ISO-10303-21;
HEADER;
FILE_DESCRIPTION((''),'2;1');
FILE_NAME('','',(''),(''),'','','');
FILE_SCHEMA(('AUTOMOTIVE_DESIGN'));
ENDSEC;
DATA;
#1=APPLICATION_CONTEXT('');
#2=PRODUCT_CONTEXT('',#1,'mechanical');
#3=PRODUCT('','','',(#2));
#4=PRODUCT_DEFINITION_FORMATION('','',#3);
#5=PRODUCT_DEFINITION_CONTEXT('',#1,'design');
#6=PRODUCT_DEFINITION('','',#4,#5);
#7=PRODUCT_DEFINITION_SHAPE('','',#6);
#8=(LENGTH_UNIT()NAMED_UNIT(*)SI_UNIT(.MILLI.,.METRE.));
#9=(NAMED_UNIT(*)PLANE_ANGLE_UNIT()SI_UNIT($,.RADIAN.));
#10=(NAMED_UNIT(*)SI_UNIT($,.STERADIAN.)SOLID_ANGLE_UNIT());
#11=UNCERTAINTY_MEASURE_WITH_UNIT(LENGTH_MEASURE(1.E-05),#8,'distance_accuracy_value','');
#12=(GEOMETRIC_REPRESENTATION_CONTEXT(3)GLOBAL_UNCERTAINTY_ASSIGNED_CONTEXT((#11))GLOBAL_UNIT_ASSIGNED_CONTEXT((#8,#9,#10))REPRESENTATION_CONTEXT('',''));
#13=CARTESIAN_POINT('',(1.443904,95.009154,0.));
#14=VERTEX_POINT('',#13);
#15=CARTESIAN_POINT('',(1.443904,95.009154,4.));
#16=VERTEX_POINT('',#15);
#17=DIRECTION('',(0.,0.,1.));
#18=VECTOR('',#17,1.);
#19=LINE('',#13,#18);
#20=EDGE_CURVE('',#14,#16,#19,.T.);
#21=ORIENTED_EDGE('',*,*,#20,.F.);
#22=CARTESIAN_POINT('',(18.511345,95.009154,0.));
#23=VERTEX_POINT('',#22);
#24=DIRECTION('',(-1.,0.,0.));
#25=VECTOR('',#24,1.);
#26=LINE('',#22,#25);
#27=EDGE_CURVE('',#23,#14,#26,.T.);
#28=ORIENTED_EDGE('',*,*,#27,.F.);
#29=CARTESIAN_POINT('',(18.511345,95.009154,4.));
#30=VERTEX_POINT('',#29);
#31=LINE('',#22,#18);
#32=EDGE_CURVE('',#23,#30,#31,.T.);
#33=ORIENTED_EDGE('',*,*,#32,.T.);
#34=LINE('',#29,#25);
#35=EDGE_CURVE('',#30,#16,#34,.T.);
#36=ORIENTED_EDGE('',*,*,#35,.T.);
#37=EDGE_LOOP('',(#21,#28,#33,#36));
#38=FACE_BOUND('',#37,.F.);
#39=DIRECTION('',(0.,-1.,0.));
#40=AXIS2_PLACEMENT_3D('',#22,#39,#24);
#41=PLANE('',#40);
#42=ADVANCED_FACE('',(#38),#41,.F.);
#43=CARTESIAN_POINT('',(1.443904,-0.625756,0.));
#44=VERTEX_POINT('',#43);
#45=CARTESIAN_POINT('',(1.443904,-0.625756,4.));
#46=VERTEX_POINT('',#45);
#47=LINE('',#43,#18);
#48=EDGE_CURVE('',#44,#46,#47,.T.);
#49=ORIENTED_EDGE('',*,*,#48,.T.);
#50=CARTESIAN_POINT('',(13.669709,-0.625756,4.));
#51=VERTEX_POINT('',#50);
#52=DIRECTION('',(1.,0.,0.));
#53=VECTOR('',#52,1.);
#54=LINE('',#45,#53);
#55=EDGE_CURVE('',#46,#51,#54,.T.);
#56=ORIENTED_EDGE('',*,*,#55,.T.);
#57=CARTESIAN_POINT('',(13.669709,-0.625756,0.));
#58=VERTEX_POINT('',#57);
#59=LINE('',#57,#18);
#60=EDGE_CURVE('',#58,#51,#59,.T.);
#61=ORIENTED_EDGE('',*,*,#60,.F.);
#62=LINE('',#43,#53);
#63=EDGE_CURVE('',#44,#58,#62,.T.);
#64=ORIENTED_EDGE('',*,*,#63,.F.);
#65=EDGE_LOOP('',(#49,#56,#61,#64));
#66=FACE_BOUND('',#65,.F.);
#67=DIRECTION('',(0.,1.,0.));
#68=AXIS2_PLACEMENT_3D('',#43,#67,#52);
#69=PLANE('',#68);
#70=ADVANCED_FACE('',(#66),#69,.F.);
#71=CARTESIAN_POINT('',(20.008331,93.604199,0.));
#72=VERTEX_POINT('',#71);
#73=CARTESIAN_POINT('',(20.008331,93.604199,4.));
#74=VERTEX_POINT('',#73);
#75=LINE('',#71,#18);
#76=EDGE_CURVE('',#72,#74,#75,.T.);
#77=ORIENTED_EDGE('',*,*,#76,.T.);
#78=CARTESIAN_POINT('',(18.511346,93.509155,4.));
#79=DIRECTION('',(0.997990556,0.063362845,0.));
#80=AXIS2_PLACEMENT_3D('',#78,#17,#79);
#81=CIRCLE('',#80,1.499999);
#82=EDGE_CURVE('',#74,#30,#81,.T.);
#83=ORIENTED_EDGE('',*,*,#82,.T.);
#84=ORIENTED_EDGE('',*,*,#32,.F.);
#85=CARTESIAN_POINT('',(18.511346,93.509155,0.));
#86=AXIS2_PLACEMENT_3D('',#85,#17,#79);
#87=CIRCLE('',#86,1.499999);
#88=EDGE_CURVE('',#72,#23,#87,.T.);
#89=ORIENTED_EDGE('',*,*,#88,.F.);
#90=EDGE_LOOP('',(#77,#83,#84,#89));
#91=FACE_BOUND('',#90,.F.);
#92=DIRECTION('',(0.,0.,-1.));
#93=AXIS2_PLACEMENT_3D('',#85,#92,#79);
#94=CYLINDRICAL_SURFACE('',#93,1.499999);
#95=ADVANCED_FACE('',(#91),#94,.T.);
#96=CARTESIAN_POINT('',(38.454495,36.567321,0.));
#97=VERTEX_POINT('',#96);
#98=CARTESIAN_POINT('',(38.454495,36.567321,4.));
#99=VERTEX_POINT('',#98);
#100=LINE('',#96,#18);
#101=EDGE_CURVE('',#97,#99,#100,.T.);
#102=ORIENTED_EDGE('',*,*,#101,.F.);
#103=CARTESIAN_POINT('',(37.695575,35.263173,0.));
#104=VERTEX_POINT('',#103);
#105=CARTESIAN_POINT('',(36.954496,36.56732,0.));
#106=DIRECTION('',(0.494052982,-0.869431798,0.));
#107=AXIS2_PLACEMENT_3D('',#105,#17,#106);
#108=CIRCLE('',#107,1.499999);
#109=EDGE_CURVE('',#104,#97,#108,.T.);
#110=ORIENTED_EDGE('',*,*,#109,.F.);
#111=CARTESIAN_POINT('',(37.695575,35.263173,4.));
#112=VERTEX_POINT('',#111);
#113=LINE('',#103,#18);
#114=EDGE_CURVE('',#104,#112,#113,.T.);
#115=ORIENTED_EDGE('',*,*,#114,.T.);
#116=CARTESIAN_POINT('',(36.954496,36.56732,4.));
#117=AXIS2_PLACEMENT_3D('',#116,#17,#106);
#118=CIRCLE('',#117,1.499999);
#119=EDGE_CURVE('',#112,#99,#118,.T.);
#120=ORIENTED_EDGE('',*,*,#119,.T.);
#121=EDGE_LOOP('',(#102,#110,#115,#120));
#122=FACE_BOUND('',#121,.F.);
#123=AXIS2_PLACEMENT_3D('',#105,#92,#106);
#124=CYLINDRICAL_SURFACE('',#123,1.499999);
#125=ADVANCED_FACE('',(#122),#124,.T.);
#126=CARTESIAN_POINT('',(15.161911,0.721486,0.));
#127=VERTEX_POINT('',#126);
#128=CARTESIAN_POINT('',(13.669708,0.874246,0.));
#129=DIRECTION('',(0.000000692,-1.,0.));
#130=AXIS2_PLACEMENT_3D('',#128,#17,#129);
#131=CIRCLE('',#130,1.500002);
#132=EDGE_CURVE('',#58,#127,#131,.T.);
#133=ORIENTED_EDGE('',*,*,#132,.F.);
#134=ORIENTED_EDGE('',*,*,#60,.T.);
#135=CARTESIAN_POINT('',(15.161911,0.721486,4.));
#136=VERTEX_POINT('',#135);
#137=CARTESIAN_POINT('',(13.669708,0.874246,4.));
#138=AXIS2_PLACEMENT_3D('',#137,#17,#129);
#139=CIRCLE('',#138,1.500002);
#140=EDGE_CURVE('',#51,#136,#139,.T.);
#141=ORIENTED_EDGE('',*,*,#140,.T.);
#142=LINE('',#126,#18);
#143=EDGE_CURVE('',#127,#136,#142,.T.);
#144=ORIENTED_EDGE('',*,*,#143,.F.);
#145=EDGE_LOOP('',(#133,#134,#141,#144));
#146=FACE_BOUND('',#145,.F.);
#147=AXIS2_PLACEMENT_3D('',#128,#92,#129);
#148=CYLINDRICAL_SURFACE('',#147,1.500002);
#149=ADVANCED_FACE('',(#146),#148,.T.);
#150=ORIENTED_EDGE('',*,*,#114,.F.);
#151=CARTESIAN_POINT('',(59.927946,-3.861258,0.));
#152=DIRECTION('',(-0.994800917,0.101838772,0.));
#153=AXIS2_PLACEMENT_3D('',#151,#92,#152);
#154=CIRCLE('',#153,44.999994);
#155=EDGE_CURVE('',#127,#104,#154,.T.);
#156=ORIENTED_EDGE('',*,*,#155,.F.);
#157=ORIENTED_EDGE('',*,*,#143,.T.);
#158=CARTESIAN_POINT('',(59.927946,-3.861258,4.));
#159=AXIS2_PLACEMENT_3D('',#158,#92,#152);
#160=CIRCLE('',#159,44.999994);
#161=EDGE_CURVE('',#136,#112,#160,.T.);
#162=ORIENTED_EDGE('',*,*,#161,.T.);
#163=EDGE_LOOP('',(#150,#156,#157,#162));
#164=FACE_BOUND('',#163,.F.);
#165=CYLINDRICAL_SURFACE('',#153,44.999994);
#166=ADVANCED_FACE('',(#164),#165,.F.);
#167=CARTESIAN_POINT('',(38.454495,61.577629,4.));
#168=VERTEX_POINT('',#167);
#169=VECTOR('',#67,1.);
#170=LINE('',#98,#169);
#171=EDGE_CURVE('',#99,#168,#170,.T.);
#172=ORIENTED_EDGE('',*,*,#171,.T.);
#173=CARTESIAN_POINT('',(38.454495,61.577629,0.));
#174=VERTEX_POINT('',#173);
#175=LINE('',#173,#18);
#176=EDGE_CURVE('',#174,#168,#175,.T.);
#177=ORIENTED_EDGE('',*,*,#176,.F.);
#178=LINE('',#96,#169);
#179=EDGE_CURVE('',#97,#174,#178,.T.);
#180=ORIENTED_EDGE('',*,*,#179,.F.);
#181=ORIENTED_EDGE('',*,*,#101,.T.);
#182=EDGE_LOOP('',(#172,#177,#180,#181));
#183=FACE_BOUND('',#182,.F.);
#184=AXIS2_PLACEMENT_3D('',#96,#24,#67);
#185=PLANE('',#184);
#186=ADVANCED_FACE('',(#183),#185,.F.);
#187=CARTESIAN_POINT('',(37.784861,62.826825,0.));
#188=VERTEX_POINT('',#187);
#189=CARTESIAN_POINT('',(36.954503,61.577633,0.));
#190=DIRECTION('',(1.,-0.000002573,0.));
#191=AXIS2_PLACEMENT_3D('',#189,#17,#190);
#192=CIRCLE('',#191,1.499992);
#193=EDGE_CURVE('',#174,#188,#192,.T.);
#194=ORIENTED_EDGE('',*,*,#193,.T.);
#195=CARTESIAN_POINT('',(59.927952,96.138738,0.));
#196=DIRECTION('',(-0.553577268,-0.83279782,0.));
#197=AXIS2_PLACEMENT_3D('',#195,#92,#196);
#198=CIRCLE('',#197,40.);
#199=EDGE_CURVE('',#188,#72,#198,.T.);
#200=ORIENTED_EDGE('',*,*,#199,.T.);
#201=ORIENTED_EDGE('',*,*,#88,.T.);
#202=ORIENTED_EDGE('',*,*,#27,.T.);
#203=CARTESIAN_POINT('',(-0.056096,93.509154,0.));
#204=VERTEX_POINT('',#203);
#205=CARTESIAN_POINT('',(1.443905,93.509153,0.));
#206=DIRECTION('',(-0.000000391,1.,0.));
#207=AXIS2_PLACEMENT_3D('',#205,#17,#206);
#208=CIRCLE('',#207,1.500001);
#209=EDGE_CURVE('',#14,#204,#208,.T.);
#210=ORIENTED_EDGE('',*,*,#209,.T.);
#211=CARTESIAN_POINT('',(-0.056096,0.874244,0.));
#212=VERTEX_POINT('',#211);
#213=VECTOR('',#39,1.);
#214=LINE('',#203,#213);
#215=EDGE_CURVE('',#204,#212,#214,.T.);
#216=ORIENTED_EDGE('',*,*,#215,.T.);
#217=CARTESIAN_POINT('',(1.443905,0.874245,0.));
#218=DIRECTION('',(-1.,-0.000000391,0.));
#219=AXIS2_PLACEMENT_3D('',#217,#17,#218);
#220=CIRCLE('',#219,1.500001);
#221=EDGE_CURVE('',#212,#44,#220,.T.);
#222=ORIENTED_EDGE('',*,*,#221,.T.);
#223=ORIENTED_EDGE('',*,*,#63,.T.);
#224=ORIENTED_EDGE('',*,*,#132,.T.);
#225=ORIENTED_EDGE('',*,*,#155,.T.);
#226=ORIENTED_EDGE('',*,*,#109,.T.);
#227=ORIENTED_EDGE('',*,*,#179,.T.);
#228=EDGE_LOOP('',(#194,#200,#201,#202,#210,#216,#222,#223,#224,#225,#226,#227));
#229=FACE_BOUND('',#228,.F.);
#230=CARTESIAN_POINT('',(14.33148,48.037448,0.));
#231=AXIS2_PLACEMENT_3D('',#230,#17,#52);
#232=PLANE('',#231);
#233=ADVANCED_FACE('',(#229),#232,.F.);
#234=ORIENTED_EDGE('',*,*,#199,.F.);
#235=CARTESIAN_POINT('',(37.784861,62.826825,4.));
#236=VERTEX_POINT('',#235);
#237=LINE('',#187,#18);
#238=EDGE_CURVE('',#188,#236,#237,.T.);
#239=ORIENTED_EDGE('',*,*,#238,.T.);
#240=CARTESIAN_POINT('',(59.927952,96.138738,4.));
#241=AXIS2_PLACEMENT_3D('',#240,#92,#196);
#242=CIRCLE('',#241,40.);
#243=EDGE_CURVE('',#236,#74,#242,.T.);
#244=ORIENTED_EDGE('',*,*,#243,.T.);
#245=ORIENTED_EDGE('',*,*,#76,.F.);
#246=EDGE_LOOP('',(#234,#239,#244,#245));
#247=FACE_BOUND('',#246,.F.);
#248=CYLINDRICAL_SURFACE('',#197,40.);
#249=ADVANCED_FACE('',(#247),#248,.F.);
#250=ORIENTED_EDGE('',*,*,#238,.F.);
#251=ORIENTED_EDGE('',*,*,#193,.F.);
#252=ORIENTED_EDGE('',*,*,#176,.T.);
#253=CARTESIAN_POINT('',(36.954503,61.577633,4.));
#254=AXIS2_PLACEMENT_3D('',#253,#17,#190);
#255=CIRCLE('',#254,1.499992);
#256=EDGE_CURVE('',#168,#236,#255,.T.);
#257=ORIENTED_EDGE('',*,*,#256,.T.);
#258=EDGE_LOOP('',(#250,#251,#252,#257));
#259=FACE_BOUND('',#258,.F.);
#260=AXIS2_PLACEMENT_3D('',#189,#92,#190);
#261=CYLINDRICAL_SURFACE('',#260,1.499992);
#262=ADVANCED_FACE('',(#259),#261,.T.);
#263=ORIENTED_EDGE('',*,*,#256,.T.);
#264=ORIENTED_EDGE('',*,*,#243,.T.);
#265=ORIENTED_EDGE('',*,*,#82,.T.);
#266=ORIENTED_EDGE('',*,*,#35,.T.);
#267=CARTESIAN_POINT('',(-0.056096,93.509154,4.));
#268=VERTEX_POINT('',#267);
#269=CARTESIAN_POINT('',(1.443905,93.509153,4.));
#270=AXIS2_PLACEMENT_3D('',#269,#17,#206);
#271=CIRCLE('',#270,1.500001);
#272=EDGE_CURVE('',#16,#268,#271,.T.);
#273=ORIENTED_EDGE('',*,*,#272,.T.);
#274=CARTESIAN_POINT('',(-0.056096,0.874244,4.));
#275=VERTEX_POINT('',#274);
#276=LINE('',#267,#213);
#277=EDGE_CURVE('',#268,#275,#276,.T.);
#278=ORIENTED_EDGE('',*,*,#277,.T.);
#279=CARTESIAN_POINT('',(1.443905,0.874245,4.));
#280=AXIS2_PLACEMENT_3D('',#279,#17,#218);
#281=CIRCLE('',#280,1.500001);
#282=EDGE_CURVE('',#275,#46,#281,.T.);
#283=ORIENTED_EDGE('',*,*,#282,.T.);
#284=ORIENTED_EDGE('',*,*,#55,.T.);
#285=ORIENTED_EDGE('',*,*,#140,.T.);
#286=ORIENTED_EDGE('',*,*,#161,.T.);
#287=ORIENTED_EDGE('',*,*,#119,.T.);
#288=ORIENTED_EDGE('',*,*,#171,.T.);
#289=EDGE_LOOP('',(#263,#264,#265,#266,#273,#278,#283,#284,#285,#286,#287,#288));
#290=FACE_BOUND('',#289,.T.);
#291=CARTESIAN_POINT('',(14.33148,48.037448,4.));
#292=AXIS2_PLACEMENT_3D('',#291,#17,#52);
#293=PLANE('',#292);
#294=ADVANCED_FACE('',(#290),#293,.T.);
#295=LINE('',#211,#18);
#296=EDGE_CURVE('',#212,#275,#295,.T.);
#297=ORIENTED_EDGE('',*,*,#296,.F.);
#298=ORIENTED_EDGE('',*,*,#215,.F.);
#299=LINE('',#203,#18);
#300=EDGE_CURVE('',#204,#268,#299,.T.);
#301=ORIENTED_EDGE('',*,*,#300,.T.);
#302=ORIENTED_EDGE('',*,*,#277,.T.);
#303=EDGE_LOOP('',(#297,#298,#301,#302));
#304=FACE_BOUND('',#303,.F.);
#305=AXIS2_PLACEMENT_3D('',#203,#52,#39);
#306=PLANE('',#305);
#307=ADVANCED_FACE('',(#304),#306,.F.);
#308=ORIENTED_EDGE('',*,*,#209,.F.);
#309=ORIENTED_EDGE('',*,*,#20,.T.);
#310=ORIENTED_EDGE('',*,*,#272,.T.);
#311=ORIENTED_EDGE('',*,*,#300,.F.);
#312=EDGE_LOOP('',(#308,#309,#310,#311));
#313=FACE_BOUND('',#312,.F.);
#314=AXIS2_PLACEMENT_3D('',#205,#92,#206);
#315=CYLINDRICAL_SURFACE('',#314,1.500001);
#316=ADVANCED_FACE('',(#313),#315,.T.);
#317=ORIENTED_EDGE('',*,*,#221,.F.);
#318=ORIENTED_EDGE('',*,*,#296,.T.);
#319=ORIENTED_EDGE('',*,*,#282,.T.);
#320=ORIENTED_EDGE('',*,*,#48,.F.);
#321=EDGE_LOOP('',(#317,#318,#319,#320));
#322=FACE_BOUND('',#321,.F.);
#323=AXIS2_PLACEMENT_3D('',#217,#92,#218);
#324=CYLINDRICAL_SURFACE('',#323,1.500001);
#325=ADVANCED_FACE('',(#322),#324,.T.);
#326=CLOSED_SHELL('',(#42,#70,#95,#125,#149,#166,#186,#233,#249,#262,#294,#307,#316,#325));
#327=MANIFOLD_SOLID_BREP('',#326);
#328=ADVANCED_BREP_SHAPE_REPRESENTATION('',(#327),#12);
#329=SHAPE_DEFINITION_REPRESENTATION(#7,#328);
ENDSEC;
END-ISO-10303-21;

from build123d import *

# Parameters (mm, degrees)
F1_DEPTH = 4


with BuildPart() as f1:
    # F0 (on Top) → F1 (new body)
    with BuildSketch(Plane.XY):
        with BuildLine():
            ThreePointArc((37.784861, 62.826825), (25.290447, 76.132657), (20.008331, 93.604199))
            ThreePointArc((20.008331, 93.604199), (19.537852, 94.602902), (18.511345, 95.009154))
            Line((18.511345, 95.009154), (1.443904, 95.009154))
            ThreePointArc((1.443904, 95.009154), (0.383244, 94.569814), (-0.056096, 93.509154))
            Line((-0.056096, 93.509154), (-0.056096, 0.874244))
            ThreePointArc((-0.056096, 0.874244), (0.383244, -0.186416), (1.443904, -0.625756))
            Line((1.443904, -0.625756), (13.669709, -0.625756))
            ThreePointArc((13.669709, -0.625756), (14.674911, -0.239115), (15.161911, 0.721486))
            ThreePointArc((15.161911, 0.721486), (22.238708, 20.725746), (37.695575, 35.263173))
            ThreePointArc((37.695575, 35.263173), (38.250956, 35.812874), (38.454495, 36.567321))
            Line((38.454495, 36.567321), (38.454495, 61.577629))
            ThreePointArc((38.454495, 61.577629), (38.27653, 62.286308), (37.784861, 62.826825))
        make_face()
    extrude(amount=F1_DEPTH)


solid = f1.part
